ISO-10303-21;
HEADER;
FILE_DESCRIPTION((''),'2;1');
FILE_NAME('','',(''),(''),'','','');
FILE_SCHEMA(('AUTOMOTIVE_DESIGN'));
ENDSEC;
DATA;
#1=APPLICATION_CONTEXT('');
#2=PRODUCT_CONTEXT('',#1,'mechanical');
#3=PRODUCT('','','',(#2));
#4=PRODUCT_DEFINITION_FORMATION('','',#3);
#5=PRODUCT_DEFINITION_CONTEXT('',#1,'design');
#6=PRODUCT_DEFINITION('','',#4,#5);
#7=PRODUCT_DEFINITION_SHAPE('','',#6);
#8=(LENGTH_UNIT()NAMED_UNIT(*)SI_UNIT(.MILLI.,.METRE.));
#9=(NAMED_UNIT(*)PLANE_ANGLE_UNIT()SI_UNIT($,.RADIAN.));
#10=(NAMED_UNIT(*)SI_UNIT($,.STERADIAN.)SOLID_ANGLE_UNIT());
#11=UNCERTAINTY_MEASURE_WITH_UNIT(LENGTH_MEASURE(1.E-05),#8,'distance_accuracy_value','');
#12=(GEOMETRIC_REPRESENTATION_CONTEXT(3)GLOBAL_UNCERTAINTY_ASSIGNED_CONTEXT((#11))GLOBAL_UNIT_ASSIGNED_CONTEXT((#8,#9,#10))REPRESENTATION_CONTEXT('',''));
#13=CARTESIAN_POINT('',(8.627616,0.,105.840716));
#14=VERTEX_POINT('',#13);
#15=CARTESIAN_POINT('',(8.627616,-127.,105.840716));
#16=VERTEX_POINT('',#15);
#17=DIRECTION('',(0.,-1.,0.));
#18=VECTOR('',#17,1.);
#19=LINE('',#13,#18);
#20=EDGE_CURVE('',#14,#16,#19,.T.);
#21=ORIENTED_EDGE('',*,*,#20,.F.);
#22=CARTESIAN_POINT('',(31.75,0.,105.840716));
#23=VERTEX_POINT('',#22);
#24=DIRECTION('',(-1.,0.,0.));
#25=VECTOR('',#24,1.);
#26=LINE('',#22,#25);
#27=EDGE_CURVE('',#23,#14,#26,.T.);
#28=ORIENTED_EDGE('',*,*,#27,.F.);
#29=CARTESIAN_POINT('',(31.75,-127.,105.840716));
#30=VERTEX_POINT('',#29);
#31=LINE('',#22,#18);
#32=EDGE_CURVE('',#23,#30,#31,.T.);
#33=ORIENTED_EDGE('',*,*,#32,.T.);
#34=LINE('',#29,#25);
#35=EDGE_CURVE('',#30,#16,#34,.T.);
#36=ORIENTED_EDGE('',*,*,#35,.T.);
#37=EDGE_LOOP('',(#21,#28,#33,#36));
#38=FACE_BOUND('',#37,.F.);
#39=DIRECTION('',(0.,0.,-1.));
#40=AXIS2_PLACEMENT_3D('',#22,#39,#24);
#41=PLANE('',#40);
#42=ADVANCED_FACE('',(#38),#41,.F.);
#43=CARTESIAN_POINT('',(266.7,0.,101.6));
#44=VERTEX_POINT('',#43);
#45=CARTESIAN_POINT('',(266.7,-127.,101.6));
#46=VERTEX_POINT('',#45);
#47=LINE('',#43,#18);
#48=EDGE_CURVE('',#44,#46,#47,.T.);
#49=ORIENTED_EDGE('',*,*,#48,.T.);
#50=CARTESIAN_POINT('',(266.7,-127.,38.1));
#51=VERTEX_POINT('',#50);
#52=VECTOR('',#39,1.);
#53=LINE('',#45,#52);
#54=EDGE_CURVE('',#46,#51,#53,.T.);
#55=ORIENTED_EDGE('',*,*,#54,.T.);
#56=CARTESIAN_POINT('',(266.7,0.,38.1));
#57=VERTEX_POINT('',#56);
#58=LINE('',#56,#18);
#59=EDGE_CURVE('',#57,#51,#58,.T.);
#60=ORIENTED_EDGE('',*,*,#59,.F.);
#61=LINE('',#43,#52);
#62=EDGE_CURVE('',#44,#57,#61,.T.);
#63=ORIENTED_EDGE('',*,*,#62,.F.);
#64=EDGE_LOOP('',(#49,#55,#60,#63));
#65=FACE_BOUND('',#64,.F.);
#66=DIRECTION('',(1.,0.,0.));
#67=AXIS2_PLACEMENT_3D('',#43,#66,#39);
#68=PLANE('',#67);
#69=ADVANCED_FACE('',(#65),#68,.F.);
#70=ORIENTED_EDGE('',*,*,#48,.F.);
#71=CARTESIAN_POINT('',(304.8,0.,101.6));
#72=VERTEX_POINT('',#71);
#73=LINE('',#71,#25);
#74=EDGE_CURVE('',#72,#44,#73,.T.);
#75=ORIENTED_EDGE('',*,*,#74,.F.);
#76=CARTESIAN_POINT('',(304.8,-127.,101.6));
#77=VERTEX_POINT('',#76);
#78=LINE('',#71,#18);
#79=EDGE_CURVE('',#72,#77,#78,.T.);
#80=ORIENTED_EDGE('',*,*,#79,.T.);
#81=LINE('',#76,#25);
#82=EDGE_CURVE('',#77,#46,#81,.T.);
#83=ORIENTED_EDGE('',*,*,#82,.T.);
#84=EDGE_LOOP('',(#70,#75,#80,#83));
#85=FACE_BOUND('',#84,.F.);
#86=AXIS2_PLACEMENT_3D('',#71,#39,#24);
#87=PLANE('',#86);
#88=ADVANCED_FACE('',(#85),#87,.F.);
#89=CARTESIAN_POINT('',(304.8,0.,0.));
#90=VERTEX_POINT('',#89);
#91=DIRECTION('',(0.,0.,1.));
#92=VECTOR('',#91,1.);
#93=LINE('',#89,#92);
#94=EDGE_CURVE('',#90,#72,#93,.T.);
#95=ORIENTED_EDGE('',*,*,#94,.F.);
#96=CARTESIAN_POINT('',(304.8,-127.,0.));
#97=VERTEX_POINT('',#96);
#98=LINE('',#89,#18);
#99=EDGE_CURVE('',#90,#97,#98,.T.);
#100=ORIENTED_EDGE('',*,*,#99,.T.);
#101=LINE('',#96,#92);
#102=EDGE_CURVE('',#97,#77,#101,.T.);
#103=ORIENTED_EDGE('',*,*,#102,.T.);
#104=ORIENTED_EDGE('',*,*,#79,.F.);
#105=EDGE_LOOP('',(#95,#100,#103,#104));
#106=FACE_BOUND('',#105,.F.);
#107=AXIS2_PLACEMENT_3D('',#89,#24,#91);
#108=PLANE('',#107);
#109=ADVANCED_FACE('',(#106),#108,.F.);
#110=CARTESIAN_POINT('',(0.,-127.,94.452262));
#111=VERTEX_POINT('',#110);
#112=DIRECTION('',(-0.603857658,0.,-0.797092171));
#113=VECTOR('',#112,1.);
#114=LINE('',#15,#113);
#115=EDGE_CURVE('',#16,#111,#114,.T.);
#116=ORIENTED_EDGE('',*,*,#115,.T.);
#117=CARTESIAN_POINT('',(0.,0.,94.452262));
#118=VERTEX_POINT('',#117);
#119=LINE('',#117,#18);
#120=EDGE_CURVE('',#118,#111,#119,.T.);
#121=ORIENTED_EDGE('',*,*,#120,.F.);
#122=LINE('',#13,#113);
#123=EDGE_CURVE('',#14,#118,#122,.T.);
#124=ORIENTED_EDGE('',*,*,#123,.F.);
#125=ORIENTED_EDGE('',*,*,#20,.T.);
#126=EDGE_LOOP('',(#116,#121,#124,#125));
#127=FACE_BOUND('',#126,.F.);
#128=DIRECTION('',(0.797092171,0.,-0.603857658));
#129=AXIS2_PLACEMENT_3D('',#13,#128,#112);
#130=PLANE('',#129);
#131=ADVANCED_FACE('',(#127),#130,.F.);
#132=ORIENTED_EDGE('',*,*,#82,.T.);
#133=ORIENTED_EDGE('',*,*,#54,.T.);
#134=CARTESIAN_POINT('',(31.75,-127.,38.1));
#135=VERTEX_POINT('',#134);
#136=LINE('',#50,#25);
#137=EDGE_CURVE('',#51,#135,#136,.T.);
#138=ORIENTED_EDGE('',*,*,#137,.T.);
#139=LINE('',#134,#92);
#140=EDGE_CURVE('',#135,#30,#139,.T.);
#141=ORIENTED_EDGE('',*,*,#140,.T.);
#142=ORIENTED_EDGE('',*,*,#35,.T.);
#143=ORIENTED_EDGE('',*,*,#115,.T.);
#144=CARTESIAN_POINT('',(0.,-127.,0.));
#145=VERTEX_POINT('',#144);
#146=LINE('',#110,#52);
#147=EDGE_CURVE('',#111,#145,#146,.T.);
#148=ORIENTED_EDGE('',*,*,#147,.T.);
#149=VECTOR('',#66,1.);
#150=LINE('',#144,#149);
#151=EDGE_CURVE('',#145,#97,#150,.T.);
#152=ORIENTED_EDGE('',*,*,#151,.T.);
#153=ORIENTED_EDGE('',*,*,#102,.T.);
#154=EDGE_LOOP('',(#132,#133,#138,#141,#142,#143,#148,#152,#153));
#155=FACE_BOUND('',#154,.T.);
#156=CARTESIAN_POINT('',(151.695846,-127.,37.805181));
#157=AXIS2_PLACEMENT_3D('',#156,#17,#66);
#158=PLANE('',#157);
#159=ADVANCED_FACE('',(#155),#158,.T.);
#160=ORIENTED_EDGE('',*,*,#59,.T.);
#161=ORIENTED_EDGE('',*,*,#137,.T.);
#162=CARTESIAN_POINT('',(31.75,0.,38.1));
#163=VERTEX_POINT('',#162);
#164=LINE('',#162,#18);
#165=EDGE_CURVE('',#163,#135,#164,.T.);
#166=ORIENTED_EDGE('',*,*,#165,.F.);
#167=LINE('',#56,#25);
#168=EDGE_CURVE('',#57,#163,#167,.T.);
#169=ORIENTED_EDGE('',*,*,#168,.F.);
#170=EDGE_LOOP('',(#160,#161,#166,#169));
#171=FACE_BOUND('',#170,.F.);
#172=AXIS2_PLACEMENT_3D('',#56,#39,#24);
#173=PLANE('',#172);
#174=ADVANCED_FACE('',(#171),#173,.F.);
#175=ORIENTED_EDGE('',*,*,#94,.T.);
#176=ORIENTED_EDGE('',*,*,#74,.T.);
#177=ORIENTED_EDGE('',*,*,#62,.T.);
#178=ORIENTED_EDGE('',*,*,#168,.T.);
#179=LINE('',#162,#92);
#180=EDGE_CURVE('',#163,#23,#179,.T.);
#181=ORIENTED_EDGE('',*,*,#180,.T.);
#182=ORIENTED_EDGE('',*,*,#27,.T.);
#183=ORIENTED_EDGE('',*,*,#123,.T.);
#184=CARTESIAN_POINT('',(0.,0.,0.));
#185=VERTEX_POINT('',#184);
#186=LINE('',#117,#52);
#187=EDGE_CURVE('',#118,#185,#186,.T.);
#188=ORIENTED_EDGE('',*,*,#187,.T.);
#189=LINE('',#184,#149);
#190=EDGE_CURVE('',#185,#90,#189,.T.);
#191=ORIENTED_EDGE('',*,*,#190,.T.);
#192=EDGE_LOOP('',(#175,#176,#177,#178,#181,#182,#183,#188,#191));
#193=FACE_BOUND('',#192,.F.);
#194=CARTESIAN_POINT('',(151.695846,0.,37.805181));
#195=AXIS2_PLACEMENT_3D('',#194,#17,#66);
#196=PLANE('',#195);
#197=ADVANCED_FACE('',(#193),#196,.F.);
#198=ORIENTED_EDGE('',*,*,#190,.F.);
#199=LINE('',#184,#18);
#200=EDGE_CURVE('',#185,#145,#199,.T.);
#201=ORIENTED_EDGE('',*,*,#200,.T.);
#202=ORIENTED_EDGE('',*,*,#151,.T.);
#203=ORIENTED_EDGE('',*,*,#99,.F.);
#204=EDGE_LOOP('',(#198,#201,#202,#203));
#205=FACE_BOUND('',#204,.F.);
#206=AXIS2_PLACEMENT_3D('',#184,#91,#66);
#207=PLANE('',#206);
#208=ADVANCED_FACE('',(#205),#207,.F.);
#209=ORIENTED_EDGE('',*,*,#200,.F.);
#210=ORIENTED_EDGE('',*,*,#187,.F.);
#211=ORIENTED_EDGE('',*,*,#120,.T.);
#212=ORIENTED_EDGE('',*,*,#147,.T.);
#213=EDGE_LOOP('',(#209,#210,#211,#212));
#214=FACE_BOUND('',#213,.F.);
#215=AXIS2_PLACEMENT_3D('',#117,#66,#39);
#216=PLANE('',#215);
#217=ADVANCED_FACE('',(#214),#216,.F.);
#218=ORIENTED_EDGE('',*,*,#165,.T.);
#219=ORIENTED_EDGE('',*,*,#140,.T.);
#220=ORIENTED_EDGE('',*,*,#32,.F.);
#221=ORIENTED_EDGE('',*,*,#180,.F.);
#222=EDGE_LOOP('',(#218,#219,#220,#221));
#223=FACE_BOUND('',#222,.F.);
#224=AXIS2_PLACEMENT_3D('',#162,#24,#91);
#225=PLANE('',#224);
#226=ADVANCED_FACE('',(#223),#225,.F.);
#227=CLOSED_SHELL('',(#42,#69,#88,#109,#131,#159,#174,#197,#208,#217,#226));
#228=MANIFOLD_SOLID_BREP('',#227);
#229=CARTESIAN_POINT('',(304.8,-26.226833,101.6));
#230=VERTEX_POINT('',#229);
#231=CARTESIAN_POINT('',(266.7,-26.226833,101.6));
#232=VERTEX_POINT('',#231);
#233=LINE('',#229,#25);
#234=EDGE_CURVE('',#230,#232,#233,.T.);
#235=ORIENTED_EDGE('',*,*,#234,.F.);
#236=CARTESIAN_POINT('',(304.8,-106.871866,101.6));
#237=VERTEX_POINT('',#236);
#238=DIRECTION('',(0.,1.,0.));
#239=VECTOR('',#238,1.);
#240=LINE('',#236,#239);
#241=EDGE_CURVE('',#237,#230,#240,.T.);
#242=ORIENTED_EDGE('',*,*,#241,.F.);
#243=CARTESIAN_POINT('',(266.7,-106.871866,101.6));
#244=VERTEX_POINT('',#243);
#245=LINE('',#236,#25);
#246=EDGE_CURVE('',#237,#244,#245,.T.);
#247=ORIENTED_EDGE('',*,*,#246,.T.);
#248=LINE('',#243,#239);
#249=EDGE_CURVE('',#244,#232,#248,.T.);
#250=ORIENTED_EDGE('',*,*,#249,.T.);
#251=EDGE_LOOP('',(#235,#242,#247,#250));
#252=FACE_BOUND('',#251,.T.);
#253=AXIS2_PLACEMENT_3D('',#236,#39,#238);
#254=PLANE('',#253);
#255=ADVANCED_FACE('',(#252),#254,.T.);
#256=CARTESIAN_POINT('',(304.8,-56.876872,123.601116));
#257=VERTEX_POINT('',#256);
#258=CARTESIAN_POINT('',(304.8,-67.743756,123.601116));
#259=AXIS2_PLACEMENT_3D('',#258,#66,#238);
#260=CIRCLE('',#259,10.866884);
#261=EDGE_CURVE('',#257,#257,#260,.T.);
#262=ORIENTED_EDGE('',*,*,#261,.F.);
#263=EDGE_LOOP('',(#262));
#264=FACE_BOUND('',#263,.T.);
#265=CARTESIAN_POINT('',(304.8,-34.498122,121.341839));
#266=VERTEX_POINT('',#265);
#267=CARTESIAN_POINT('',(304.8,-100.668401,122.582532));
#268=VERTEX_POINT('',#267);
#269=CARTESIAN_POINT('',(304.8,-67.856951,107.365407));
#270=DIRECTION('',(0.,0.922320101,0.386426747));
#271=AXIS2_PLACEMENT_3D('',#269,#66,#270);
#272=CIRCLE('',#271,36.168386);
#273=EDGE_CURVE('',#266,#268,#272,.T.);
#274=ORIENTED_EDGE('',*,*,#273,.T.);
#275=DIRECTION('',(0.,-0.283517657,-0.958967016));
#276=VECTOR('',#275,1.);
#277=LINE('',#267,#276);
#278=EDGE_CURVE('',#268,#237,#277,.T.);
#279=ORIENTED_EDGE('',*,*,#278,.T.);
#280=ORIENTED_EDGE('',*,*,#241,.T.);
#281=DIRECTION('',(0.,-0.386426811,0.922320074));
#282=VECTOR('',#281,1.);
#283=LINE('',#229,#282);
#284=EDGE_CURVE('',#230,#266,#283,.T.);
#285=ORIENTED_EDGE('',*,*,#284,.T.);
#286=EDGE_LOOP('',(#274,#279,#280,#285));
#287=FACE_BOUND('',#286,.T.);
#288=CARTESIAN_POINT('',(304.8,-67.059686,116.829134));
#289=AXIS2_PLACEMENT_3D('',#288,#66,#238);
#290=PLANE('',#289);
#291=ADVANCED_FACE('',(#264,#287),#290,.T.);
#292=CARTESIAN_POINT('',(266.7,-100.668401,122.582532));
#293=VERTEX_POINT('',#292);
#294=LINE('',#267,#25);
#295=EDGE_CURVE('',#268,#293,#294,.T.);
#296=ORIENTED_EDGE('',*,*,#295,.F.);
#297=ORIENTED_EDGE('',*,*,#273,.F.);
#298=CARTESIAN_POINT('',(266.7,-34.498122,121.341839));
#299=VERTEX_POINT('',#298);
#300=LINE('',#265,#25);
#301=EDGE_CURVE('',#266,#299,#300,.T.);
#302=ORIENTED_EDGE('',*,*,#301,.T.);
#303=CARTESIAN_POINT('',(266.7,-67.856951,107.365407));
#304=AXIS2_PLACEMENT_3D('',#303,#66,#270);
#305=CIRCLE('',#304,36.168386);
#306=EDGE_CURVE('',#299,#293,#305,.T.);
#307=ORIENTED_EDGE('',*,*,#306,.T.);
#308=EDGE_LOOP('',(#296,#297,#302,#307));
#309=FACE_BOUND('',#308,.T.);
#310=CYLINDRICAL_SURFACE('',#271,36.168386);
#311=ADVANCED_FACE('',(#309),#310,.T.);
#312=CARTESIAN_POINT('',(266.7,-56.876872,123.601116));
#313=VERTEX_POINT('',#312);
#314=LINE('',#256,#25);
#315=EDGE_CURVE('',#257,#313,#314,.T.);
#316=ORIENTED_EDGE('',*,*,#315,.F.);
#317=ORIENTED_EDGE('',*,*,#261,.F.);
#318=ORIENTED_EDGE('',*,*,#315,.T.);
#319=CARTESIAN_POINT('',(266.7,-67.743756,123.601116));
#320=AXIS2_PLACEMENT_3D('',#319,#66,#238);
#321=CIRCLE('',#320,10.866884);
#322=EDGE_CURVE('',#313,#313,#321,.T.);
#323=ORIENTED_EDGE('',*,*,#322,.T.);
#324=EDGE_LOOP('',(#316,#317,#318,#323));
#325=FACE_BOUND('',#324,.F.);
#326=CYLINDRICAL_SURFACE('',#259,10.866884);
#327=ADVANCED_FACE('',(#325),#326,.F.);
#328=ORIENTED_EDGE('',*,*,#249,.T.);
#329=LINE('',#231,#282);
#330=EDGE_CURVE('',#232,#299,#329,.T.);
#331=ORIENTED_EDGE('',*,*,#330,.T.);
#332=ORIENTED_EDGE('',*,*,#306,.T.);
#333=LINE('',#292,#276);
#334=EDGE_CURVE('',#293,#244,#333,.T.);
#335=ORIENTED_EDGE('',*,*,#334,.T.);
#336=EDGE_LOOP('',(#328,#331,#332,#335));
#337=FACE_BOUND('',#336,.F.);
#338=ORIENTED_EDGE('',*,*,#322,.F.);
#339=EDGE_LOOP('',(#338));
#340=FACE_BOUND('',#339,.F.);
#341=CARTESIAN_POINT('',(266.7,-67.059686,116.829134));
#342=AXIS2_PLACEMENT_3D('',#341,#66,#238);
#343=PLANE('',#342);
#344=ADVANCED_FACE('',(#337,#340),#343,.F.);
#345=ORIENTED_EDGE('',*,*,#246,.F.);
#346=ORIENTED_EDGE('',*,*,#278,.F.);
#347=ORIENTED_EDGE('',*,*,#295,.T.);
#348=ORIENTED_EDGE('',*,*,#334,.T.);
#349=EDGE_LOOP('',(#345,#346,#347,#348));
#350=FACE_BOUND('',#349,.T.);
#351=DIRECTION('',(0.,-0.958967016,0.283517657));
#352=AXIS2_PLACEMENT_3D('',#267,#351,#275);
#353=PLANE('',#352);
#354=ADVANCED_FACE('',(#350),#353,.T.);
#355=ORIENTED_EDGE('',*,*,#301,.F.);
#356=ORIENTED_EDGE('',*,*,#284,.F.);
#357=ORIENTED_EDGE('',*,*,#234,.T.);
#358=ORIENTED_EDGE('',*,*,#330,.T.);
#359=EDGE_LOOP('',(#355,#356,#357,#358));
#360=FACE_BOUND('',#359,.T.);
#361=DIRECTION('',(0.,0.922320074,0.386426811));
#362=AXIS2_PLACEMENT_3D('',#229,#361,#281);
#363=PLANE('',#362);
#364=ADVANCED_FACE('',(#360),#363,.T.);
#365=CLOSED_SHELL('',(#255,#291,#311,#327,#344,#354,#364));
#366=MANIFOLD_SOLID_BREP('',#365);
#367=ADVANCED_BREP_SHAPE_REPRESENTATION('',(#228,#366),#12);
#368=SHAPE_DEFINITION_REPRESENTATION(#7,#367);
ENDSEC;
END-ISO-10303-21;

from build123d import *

# Parameters (mm, degrees)
F1_DEPTH = 127
F2_R     = 10.866884
F3_DEPTH = 38.1


with BuildPart() as f1:
    # F0 (on Front) → F1 (new body)
    with BuildSketch(Plane.XZ):
        Polygon((0, 94.452262), (0, 0), (304.8, 0), (304.8, 101.6), (266.7, 101.6), (266.7, 38.1), (31.75, 38.1), (31.75, 105.840716), (8.627616, 105.840716), align=None)
    extrude(amount=F1_DEPTH)


with BuildPart() as f3:
    # F2 (on face) → F3 (new body)
    with BuildSketch(Plane.YZ.offset(304.8)):
        with BuildLine():
            Line((-100.668401, 122.582532), (-106.871866, 101.6))
            Line((-106.871866, 101.6), (-26.226833, 101.6))
            Line((-26.226833, 101.6), (-34.498122, 121.341839))
            ThreePointArc((-34.498122, 121.341839), (-67.178913, 143.527437), (-100.668401, 122.582532))
        make_face()
        with Locations((-67.743756, 123.601116)):
            Circle(F2_R, mode=Mode.SUBTRACT)
    extrude(amount=-F3_DEPTH)


solid = Compound([f1.part, f3.part])
